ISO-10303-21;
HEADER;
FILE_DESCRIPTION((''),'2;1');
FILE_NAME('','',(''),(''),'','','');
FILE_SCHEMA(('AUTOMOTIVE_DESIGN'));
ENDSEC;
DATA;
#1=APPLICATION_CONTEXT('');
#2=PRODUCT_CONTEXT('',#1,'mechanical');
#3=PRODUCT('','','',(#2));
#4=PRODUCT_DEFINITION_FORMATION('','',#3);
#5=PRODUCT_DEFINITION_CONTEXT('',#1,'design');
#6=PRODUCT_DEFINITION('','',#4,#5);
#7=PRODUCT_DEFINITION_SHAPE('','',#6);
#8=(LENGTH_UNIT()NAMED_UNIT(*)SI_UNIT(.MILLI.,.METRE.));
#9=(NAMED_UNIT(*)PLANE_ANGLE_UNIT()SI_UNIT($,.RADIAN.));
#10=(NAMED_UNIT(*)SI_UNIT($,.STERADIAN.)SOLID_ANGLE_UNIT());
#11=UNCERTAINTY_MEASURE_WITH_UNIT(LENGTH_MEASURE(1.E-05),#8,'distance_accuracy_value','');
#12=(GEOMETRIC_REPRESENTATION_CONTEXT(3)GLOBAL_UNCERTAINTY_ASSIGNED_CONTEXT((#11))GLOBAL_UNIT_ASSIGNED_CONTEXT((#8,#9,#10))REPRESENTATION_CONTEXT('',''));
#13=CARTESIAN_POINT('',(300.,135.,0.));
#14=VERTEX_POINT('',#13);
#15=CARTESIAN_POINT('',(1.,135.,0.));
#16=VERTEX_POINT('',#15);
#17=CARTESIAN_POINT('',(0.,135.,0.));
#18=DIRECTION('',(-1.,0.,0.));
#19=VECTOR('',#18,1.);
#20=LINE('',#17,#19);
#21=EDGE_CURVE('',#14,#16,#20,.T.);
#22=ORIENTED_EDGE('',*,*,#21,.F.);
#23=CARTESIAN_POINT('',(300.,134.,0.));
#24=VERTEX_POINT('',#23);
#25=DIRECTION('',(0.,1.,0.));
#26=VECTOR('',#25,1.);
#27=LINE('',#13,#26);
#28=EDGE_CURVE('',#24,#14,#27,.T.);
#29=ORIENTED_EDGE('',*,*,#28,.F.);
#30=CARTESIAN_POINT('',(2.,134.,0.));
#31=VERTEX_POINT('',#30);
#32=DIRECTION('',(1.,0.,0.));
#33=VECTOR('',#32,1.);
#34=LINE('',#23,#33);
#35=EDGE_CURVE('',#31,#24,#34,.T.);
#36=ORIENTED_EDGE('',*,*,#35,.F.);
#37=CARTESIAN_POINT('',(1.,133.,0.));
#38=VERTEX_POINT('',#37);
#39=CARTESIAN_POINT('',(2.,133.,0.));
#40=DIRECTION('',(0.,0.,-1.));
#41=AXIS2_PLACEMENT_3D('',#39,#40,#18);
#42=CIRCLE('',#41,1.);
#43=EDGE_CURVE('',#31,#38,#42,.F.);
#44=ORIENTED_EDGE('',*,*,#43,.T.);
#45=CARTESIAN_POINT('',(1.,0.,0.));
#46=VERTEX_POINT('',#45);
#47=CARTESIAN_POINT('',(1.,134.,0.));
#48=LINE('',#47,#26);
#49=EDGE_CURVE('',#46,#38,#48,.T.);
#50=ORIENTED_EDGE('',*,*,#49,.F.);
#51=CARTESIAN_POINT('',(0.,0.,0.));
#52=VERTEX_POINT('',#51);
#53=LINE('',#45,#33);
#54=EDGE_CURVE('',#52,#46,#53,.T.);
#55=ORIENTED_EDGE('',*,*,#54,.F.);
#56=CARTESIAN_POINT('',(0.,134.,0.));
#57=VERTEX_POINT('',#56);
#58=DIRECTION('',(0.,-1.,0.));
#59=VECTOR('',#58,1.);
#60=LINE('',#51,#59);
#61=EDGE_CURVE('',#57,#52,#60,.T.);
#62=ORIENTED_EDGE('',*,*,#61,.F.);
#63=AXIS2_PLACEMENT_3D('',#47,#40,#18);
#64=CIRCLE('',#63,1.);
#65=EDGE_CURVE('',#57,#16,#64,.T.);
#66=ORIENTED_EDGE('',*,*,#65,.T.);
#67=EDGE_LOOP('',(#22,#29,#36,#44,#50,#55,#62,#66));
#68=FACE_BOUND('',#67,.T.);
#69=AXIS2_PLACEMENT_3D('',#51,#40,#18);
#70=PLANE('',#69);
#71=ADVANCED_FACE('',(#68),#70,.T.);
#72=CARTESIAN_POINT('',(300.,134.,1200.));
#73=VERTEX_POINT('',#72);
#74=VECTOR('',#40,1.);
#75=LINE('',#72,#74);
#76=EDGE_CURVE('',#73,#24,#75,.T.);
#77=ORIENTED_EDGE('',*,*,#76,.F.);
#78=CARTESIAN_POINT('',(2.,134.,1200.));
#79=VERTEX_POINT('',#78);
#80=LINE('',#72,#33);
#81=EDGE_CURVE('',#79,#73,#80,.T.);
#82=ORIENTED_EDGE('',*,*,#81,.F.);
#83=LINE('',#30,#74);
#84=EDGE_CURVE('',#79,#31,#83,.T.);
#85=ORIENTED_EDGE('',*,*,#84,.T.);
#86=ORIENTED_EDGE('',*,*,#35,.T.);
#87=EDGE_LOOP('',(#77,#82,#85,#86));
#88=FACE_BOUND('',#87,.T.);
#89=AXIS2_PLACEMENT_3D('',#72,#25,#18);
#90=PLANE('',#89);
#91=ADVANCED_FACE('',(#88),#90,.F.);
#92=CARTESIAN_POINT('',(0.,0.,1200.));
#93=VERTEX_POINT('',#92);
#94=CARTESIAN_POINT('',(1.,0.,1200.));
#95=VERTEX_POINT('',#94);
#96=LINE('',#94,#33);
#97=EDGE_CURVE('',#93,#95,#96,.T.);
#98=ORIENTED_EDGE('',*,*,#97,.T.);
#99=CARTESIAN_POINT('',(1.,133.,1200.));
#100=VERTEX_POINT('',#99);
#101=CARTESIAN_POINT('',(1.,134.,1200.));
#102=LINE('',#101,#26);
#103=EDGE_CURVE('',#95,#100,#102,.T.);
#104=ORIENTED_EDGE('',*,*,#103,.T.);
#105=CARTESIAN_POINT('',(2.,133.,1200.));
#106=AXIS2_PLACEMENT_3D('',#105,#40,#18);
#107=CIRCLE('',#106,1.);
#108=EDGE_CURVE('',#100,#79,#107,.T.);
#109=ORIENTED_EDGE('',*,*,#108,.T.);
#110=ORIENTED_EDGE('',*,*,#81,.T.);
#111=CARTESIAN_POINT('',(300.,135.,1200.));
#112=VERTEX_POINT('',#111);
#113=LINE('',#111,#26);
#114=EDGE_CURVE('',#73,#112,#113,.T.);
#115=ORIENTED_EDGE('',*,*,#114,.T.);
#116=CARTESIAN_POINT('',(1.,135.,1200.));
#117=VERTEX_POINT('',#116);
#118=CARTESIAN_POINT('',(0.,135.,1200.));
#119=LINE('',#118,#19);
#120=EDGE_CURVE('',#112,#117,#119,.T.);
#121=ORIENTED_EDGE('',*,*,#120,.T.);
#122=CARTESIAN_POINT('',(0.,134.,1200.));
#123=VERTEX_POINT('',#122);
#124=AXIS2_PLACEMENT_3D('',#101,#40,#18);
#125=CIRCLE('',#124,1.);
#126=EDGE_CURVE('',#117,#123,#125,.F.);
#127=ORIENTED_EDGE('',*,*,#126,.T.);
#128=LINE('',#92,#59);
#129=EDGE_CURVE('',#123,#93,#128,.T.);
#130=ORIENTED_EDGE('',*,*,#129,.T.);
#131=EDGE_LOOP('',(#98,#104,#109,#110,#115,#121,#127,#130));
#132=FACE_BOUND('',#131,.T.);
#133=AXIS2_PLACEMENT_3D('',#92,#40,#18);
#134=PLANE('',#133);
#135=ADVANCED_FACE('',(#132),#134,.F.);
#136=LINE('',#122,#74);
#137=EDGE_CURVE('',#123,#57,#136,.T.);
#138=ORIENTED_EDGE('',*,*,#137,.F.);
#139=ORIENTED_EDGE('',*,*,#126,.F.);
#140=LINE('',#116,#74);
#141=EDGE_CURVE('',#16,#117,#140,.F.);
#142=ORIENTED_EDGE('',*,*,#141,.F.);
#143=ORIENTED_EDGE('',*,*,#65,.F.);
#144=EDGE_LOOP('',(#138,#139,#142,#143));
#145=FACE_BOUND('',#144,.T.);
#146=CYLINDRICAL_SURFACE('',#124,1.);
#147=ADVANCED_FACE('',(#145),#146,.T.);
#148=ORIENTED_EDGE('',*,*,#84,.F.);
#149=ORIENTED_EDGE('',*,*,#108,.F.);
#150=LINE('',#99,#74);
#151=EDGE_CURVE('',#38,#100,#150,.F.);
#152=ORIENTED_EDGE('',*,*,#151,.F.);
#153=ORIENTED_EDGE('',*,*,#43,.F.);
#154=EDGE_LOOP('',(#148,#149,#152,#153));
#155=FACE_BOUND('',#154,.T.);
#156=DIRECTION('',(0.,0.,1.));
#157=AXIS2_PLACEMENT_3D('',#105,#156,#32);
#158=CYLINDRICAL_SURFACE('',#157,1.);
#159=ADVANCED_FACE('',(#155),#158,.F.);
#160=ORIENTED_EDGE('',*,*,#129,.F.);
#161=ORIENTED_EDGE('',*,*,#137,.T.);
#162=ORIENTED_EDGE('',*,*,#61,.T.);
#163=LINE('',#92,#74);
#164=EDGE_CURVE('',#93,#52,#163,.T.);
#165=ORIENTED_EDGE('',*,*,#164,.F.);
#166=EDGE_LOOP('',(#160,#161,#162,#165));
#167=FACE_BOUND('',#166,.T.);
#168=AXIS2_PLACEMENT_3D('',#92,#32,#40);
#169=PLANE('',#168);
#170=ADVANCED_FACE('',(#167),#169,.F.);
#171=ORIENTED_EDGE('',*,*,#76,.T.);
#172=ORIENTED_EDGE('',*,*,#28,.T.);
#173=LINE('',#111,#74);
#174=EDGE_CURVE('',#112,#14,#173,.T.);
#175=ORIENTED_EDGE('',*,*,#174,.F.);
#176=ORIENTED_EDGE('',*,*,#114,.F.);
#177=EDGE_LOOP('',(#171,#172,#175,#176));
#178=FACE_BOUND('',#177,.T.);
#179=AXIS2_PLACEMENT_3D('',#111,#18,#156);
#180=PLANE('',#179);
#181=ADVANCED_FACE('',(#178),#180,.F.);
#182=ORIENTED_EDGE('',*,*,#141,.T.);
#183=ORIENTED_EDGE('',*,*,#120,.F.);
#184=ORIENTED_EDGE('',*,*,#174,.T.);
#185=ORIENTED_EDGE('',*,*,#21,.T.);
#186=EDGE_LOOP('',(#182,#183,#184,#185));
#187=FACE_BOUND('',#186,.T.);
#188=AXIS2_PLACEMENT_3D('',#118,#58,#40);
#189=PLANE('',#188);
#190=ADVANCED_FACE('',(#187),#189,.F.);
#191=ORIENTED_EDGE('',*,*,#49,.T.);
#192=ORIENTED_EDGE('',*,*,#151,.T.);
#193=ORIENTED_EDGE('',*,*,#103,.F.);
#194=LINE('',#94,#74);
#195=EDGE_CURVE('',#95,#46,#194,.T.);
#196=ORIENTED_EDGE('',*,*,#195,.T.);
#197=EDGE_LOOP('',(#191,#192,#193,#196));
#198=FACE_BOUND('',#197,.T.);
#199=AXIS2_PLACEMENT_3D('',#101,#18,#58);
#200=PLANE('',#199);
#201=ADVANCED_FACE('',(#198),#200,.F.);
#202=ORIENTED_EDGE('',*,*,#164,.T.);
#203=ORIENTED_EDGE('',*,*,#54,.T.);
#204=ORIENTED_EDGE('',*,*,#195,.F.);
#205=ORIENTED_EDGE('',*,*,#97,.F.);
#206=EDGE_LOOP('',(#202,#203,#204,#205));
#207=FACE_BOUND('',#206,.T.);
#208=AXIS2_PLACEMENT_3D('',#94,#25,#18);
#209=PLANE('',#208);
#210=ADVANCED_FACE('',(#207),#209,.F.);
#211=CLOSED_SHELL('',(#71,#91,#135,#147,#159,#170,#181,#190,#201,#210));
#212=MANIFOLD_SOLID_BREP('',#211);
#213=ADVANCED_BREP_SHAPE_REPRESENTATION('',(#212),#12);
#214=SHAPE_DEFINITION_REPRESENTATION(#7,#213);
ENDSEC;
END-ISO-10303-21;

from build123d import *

# Parameters (mm, degrees)
BOSS_EXTRUDE1_DEPTH = 1200
FILLET1_R           = 1


with BuildPart() as part:
    # Sketch1 → Boss-Extrude1 (new body)
    with BuildSketch(Plane.XY):
        Polygon((0, 0), (0, 135), (300, 135), (300, 134), (1, 134), (1, 0), align=None)
    extrude(amount=BOSS_EXTRUDE1_DEPTH)

    # Fillet1
    fillet1_edges = [part.edges().sort_by_distance(p)[0] for p in [
        (0, 135, 600),
        (1, 134, 600),
    ]]
    fillet(fillet1_edges, radius=FILLET1_R)


solid = part.part
